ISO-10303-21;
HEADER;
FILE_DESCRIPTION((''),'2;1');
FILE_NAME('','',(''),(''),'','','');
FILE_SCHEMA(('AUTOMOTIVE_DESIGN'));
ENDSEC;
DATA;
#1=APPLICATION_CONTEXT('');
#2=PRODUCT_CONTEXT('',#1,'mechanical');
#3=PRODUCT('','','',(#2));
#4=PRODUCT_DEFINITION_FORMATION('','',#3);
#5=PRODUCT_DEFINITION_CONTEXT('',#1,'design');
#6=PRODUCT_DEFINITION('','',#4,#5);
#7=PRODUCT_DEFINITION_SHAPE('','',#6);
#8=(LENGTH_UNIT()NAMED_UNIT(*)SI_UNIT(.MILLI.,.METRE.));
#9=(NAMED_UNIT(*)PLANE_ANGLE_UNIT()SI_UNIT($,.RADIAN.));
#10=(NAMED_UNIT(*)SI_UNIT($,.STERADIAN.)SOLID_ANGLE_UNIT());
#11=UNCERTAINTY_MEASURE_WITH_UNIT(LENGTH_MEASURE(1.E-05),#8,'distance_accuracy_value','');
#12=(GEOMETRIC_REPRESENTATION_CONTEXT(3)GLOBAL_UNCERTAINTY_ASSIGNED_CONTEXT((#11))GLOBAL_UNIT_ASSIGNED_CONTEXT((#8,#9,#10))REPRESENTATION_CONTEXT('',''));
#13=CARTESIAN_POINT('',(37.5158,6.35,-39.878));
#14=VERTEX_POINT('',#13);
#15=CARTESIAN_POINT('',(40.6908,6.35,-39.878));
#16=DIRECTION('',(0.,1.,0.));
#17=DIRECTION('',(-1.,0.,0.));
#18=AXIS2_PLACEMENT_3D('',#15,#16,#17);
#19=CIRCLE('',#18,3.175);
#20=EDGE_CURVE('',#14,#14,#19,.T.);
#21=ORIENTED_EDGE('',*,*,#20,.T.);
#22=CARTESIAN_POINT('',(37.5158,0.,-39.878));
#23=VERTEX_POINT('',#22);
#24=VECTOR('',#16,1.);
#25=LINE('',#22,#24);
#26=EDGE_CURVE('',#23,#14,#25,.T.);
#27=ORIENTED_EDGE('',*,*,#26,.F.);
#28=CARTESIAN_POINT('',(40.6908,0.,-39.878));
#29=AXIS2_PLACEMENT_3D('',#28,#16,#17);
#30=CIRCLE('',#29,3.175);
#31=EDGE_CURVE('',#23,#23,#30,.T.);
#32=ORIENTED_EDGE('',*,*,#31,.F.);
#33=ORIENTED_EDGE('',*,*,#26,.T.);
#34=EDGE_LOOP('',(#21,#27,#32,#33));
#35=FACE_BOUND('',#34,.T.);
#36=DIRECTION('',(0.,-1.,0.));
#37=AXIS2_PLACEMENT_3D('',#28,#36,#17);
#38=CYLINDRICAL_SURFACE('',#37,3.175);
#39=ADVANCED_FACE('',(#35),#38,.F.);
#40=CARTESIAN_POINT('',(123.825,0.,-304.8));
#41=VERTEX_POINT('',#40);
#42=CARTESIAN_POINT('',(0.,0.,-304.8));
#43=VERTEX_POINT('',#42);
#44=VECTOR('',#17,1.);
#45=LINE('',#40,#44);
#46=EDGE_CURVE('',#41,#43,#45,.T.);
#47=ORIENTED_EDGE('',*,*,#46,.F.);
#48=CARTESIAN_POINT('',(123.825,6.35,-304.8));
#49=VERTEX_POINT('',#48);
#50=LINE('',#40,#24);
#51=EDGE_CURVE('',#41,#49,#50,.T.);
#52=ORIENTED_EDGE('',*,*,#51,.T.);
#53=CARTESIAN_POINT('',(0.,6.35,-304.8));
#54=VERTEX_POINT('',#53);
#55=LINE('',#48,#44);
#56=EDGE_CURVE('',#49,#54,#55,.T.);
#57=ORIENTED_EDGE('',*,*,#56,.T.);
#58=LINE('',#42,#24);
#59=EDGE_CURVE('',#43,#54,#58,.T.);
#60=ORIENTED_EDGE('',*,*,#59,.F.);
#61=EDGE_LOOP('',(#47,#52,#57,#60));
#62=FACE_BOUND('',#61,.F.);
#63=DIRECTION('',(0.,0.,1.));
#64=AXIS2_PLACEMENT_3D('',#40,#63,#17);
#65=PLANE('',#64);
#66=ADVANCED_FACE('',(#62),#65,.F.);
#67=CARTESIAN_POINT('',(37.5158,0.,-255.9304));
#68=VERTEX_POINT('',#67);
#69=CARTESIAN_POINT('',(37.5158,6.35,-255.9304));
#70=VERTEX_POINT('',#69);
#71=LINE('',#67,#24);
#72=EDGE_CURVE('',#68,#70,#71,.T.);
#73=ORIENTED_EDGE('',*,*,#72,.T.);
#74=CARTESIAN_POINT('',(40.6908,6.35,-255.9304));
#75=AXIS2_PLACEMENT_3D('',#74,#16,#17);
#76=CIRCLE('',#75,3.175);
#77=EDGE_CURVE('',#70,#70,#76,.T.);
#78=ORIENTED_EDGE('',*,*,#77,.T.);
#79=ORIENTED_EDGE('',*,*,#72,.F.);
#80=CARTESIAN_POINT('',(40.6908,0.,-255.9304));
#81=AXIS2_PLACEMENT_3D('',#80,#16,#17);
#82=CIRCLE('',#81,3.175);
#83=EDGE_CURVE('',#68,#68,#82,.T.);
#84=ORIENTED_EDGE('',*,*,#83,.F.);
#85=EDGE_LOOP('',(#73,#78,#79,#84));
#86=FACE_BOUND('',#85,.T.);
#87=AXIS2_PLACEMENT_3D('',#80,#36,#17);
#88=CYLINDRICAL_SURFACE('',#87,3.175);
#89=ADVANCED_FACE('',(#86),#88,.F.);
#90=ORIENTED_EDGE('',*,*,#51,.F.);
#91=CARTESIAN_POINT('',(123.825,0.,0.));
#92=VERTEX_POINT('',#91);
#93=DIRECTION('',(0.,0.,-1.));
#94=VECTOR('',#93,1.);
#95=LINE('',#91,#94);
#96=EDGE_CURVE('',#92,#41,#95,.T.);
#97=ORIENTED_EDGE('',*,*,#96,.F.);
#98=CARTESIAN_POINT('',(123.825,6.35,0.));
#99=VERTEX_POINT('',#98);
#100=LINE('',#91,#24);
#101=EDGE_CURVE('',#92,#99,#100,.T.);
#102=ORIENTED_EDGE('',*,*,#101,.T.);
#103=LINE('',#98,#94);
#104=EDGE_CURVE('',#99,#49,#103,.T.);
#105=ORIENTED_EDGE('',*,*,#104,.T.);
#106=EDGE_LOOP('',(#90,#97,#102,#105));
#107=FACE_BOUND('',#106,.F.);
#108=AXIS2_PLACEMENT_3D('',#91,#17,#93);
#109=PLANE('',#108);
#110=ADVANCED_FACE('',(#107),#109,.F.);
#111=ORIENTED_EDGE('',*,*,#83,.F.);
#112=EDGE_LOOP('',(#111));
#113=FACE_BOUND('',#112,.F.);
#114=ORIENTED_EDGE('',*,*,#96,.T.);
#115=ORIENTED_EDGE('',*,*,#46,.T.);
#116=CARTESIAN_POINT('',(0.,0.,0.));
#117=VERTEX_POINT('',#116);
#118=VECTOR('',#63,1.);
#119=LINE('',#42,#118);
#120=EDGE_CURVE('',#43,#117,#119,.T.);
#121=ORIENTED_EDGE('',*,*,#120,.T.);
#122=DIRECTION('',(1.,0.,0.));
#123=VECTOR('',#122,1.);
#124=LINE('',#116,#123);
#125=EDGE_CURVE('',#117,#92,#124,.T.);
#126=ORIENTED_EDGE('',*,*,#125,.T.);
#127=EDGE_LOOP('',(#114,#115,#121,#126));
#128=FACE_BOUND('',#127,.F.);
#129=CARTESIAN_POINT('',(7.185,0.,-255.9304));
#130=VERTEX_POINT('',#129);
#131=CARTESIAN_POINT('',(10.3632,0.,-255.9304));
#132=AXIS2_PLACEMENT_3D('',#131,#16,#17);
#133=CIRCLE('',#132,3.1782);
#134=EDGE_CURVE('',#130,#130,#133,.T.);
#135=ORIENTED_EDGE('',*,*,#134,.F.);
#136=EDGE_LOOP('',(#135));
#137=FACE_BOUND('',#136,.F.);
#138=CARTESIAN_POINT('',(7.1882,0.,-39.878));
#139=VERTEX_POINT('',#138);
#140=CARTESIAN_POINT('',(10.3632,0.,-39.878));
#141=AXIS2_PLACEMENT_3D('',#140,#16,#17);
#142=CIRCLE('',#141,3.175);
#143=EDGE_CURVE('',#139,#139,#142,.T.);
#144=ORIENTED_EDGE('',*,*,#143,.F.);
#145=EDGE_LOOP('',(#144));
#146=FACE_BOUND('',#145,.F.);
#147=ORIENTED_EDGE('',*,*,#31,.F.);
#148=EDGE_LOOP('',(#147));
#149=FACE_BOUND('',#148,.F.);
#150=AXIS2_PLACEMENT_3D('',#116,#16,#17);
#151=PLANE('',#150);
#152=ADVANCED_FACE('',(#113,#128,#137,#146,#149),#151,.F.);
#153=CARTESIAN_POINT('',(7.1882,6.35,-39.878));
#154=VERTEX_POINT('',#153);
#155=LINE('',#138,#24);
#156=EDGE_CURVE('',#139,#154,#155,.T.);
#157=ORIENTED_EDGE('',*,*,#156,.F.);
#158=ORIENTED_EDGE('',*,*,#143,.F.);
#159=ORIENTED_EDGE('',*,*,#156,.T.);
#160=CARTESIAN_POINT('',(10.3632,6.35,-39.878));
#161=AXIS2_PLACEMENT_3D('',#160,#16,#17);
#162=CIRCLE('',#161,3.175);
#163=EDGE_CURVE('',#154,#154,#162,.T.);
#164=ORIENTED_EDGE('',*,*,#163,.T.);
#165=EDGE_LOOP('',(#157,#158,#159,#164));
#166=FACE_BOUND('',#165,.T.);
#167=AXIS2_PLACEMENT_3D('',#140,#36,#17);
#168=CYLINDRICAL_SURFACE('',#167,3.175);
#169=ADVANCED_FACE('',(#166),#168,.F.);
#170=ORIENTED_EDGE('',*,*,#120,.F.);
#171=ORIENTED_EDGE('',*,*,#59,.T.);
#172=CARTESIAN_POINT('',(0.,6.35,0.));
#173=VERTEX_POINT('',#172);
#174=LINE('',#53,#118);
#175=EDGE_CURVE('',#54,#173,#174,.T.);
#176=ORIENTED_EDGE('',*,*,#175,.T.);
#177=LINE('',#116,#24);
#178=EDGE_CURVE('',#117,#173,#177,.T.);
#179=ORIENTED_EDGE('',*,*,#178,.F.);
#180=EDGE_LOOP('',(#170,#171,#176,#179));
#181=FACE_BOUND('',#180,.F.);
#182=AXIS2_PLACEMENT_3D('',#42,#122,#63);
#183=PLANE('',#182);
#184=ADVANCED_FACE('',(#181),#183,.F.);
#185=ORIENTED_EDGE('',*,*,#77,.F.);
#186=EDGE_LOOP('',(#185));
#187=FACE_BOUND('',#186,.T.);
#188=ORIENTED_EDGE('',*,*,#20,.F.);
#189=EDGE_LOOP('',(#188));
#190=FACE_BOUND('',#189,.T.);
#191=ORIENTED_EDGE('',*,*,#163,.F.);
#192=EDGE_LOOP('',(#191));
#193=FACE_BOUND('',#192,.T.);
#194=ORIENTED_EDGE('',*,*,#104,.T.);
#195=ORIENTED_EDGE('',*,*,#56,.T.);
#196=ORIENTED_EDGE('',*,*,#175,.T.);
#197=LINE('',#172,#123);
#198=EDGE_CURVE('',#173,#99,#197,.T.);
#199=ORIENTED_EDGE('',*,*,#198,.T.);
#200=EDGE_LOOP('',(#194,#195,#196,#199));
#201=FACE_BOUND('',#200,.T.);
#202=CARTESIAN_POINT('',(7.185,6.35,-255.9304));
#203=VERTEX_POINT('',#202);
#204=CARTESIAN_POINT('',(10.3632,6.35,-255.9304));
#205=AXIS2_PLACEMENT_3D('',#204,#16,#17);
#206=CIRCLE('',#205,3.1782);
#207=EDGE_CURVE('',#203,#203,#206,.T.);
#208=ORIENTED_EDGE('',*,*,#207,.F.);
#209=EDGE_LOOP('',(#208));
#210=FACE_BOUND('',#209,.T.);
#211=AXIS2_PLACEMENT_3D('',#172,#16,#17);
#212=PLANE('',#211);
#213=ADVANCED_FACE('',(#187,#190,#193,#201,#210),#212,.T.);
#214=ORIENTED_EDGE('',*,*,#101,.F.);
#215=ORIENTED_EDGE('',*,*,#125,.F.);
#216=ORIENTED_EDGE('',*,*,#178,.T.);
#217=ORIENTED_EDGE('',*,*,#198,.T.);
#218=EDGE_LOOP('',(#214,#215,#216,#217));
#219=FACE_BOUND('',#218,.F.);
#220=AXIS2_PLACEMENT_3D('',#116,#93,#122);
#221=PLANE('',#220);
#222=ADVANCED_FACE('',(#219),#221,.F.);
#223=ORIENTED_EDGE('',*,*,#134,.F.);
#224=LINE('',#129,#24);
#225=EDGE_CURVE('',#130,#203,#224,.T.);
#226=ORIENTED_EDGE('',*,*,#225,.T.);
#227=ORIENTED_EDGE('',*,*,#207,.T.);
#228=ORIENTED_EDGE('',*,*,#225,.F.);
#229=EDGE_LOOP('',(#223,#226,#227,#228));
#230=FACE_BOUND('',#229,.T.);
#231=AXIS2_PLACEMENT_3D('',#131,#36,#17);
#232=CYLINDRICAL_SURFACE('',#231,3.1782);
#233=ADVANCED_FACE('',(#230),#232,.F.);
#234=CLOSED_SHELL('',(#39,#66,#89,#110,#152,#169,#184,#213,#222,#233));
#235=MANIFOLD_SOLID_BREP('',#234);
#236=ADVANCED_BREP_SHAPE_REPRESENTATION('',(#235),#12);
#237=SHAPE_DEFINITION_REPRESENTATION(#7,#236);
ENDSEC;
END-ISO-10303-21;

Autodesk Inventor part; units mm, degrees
ref_plane "YZ Plane" through (0, 0, 0) normal (1, 0, 0) x (0, 1, 0)
ref_plane "XZ Plane" through (0, 0, 0) normal (0, 1, 0) x (-1, 0, 0)
ref_plane "XY Plane" through (0, 0, 0) normal (0, 0, 1) x (1, 0, 0)
sketch "Sketch1" plane through (0, 0, 0) normal (0, 1, 0) x (-1, 0, 0)
  line L0 (0, 0) -> (-123.825, 0)
  line L1 (-123.825, 0) -> (-123.825, -304.8)
  line L2 (-123.825, -304.8) -> (0, -304.8)
  line L3 (0, -304.8) -> (0, 0)
  circle A0 centre (-10.3632, -39.878) radius 3.175
  circle A1 centre (-40.6908, -39.878) radius 3.175
  circle A2 centre (-10.3632, -255.9304) radius 3.1782
  circle A3 centre (-40.6908, -255.9304) radius 3.175
  dimension "d0" = 304.8
  dimension "d1" = 123.825
  dimension "d2" = 6.35
  dimension "d3" = 6.35
  dimension "d4" = 39.878
  dimension "d5" = 39.878
  dimension "d6" = 10.3632
  dimension "d7" = 40.6908
  dimension "d8" = 10.3632
  dimension "d9" = 40.6908
  dimension "d10" = 255.9304
  dimension "d11" = 255.9304
extrude "Extrusion1" add sketch "Sketch1" along normal blind 6.35
properties part number "Rcr_sidewall_chasis"
